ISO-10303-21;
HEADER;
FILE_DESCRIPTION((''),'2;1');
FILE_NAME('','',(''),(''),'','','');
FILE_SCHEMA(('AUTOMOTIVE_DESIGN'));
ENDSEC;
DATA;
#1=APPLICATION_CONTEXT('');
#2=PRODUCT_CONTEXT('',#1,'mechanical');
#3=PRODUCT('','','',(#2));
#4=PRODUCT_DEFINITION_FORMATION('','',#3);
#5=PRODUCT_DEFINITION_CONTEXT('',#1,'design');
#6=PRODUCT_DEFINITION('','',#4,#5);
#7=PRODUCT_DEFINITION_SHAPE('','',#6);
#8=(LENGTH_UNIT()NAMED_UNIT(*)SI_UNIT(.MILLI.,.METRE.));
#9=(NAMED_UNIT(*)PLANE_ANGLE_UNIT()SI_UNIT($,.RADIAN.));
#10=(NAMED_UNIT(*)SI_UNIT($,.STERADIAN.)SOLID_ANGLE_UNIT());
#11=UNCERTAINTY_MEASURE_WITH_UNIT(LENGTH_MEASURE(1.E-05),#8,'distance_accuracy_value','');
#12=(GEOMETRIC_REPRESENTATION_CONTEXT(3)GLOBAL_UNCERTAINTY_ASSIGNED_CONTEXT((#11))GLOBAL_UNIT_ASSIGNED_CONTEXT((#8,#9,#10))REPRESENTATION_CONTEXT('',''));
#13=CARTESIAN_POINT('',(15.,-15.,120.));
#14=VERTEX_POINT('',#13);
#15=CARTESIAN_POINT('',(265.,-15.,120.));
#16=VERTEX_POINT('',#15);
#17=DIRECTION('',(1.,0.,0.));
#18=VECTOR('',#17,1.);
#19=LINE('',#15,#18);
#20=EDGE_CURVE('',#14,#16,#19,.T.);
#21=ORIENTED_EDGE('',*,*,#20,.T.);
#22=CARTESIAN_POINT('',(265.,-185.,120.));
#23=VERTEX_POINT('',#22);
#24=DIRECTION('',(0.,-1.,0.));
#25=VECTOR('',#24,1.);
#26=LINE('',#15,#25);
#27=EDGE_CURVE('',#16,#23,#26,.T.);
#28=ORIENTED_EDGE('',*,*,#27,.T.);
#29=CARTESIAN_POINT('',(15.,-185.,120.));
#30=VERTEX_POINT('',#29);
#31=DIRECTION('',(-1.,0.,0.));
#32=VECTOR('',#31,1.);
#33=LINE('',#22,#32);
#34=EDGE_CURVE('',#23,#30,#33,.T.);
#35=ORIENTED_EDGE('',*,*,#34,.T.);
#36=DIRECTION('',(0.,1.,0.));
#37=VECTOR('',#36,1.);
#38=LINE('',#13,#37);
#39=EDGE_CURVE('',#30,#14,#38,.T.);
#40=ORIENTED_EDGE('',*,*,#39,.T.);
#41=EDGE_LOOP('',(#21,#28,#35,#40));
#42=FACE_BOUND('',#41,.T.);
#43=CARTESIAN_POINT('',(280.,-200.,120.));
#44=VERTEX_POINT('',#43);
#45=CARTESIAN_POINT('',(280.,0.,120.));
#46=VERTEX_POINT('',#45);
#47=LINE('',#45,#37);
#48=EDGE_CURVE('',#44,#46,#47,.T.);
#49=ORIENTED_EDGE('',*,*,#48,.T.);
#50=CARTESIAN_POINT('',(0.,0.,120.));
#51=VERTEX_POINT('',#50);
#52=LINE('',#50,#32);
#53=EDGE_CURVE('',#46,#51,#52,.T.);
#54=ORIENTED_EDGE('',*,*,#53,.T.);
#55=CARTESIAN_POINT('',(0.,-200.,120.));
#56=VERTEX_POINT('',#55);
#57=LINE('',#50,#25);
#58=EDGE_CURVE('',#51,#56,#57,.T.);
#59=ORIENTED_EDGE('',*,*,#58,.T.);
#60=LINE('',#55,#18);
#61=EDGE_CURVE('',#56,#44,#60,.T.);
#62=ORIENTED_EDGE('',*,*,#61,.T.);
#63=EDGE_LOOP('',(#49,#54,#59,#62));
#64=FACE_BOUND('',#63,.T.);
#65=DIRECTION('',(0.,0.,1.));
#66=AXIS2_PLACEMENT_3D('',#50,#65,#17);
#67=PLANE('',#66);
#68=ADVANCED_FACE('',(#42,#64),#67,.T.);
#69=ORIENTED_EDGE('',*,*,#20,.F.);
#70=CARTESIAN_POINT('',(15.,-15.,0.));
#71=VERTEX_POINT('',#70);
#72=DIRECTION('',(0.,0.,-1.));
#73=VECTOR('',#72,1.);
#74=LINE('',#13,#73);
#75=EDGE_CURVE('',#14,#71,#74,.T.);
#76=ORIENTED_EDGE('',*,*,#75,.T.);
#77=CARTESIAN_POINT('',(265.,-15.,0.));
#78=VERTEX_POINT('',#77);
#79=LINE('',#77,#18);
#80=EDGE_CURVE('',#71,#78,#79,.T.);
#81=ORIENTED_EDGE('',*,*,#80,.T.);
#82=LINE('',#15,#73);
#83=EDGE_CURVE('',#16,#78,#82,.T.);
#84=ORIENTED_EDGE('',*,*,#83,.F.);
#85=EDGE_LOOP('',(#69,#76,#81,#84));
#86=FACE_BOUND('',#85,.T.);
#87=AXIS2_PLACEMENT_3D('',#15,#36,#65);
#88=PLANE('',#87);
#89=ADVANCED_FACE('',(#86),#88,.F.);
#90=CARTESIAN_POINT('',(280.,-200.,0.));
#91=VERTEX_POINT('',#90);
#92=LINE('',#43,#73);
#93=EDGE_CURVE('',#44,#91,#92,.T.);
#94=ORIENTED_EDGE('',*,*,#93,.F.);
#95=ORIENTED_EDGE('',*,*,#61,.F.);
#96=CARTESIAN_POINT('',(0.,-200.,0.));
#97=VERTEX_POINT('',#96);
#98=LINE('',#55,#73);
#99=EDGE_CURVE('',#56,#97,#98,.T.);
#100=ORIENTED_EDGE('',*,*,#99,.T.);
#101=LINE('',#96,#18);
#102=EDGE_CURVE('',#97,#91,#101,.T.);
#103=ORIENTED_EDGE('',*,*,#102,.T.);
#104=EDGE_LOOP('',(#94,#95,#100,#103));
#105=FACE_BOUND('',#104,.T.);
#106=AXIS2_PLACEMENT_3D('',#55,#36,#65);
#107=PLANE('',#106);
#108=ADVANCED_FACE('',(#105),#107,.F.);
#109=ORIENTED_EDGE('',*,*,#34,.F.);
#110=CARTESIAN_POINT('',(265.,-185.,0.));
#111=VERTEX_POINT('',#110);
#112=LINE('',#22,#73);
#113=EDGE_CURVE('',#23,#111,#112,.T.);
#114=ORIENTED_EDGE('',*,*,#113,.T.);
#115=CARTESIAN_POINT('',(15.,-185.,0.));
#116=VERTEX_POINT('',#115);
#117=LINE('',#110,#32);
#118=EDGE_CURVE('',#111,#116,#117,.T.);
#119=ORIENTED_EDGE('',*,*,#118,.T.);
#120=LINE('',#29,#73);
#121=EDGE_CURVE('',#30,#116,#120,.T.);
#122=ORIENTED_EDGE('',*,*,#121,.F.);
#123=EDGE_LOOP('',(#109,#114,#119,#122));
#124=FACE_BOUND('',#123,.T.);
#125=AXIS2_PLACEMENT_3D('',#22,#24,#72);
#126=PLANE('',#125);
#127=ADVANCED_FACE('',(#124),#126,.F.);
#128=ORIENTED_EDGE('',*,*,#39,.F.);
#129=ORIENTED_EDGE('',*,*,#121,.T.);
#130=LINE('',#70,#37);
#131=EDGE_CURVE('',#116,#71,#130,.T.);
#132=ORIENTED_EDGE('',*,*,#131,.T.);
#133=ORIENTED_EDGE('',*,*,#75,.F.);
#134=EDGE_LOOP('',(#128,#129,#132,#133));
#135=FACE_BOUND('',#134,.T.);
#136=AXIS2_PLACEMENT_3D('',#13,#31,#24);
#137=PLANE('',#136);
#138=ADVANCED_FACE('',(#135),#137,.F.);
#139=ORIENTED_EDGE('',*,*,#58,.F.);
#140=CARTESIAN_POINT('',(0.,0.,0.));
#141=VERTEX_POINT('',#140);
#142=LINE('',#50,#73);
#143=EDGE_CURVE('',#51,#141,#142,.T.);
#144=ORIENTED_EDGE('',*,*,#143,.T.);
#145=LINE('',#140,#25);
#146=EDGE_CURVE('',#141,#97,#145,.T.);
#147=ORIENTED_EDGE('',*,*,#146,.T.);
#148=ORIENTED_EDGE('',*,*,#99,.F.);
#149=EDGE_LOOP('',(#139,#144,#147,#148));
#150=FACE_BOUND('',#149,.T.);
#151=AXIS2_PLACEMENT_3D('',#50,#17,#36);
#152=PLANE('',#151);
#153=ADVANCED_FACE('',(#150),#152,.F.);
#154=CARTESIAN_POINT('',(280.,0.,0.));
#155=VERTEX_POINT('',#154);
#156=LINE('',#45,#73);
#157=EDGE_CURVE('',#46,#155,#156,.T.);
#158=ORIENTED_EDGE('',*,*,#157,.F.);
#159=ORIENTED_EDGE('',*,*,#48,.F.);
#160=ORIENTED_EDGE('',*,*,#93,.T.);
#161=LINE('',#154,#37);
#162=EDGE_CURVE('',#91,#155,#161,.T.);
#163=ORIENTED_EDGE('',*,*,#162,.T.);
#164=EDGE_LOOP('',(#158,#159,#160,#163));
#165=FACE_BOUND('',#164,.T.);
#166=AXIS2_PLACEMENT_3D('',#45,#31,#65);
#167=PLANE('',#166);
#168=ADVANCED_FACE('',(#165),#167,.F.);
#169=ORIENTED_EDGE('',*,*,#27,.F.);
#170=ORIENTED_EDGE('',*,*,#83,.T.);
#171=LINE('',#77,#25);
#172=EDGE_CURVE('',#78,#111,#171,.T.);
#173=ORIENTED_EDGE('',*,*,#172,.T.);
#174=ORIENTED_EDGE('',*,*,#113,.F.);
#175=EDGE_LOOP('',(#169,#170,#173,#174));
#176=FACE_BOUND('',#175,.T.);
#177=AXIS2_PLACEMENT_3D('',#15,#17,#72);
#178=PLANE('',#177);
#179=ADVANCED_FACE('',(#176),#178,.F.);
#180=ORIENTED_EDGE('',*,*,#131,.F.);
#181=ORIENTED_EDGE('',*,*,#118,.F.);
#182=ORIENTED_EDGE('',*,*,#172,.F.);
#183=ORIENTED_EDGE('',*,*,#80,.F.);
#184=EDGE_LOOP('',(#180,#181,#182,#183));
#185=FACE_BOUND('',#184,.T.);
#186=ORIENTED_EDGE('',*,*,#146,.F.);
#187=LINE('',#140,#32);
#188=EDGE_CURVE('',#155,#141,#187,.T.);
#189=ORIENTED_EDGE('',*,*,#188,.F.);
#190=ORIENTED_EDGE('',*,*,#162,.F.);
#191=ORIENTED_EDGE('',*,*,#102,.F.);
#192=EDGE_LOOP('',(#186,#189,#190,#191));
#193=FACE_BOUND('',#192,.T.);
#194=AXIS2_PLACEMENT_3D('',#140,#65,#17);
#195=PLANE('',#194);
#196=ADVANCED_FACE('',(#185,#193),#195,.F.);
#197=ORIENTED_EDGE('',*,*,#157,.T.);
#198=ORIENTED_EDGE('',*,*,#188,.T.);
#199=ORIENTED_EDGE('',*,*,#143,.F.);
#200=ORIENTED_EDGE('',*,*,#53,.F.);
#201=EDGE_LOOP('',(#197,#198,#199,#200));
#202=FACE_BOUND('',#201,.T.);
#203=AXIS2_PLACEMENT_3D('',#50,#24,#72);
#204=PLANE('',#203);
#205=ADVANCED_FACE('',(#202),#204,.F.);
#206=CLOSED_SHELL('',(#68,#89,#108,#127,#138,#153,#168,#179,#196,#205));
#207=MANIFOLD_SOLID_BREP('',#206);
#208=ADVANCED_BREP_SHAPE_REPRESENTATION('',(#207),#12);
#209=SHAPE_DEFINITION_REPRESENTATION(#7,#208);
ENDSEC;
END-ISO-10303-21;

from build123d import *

# Parameters (mm, degrees)
SKETCH_1_W          = 280
SKETCH_1_H          = 200
EXTRUDE_1_DEPTH     = 120
SKETCH_2_W          = 250
SKETCH_2_H          = 170
CUT_EXTRUDE_1_DEPTH = 120


with BuildPart() as part:
    # 草图1 → 凸台-拉伸1 (new body)
    with BuildSketch(Plane.XY):
        with Locations((140, -100)):
            Rectangle(SKETCH_1_W, SKETCH_1_H)
    extrude(amount=EXTRUDE_1_DEPTH)

    # 草图2 → 切除-拉伸1 (cut)
    with BuildSketch(Plane(origin=(0, 0, 0), x_dir=(-1, 0, 0), z_dir=(0, 0, -1))):
        with Locations((-140, -100)):
            Rectangle(SKETCH_2_W, SKETCH_2_H)
    extrude(amount=-CUT_EXTRUDE_1_DEPTH, mode=Mode.SUBTRACT)


solid = part.part
